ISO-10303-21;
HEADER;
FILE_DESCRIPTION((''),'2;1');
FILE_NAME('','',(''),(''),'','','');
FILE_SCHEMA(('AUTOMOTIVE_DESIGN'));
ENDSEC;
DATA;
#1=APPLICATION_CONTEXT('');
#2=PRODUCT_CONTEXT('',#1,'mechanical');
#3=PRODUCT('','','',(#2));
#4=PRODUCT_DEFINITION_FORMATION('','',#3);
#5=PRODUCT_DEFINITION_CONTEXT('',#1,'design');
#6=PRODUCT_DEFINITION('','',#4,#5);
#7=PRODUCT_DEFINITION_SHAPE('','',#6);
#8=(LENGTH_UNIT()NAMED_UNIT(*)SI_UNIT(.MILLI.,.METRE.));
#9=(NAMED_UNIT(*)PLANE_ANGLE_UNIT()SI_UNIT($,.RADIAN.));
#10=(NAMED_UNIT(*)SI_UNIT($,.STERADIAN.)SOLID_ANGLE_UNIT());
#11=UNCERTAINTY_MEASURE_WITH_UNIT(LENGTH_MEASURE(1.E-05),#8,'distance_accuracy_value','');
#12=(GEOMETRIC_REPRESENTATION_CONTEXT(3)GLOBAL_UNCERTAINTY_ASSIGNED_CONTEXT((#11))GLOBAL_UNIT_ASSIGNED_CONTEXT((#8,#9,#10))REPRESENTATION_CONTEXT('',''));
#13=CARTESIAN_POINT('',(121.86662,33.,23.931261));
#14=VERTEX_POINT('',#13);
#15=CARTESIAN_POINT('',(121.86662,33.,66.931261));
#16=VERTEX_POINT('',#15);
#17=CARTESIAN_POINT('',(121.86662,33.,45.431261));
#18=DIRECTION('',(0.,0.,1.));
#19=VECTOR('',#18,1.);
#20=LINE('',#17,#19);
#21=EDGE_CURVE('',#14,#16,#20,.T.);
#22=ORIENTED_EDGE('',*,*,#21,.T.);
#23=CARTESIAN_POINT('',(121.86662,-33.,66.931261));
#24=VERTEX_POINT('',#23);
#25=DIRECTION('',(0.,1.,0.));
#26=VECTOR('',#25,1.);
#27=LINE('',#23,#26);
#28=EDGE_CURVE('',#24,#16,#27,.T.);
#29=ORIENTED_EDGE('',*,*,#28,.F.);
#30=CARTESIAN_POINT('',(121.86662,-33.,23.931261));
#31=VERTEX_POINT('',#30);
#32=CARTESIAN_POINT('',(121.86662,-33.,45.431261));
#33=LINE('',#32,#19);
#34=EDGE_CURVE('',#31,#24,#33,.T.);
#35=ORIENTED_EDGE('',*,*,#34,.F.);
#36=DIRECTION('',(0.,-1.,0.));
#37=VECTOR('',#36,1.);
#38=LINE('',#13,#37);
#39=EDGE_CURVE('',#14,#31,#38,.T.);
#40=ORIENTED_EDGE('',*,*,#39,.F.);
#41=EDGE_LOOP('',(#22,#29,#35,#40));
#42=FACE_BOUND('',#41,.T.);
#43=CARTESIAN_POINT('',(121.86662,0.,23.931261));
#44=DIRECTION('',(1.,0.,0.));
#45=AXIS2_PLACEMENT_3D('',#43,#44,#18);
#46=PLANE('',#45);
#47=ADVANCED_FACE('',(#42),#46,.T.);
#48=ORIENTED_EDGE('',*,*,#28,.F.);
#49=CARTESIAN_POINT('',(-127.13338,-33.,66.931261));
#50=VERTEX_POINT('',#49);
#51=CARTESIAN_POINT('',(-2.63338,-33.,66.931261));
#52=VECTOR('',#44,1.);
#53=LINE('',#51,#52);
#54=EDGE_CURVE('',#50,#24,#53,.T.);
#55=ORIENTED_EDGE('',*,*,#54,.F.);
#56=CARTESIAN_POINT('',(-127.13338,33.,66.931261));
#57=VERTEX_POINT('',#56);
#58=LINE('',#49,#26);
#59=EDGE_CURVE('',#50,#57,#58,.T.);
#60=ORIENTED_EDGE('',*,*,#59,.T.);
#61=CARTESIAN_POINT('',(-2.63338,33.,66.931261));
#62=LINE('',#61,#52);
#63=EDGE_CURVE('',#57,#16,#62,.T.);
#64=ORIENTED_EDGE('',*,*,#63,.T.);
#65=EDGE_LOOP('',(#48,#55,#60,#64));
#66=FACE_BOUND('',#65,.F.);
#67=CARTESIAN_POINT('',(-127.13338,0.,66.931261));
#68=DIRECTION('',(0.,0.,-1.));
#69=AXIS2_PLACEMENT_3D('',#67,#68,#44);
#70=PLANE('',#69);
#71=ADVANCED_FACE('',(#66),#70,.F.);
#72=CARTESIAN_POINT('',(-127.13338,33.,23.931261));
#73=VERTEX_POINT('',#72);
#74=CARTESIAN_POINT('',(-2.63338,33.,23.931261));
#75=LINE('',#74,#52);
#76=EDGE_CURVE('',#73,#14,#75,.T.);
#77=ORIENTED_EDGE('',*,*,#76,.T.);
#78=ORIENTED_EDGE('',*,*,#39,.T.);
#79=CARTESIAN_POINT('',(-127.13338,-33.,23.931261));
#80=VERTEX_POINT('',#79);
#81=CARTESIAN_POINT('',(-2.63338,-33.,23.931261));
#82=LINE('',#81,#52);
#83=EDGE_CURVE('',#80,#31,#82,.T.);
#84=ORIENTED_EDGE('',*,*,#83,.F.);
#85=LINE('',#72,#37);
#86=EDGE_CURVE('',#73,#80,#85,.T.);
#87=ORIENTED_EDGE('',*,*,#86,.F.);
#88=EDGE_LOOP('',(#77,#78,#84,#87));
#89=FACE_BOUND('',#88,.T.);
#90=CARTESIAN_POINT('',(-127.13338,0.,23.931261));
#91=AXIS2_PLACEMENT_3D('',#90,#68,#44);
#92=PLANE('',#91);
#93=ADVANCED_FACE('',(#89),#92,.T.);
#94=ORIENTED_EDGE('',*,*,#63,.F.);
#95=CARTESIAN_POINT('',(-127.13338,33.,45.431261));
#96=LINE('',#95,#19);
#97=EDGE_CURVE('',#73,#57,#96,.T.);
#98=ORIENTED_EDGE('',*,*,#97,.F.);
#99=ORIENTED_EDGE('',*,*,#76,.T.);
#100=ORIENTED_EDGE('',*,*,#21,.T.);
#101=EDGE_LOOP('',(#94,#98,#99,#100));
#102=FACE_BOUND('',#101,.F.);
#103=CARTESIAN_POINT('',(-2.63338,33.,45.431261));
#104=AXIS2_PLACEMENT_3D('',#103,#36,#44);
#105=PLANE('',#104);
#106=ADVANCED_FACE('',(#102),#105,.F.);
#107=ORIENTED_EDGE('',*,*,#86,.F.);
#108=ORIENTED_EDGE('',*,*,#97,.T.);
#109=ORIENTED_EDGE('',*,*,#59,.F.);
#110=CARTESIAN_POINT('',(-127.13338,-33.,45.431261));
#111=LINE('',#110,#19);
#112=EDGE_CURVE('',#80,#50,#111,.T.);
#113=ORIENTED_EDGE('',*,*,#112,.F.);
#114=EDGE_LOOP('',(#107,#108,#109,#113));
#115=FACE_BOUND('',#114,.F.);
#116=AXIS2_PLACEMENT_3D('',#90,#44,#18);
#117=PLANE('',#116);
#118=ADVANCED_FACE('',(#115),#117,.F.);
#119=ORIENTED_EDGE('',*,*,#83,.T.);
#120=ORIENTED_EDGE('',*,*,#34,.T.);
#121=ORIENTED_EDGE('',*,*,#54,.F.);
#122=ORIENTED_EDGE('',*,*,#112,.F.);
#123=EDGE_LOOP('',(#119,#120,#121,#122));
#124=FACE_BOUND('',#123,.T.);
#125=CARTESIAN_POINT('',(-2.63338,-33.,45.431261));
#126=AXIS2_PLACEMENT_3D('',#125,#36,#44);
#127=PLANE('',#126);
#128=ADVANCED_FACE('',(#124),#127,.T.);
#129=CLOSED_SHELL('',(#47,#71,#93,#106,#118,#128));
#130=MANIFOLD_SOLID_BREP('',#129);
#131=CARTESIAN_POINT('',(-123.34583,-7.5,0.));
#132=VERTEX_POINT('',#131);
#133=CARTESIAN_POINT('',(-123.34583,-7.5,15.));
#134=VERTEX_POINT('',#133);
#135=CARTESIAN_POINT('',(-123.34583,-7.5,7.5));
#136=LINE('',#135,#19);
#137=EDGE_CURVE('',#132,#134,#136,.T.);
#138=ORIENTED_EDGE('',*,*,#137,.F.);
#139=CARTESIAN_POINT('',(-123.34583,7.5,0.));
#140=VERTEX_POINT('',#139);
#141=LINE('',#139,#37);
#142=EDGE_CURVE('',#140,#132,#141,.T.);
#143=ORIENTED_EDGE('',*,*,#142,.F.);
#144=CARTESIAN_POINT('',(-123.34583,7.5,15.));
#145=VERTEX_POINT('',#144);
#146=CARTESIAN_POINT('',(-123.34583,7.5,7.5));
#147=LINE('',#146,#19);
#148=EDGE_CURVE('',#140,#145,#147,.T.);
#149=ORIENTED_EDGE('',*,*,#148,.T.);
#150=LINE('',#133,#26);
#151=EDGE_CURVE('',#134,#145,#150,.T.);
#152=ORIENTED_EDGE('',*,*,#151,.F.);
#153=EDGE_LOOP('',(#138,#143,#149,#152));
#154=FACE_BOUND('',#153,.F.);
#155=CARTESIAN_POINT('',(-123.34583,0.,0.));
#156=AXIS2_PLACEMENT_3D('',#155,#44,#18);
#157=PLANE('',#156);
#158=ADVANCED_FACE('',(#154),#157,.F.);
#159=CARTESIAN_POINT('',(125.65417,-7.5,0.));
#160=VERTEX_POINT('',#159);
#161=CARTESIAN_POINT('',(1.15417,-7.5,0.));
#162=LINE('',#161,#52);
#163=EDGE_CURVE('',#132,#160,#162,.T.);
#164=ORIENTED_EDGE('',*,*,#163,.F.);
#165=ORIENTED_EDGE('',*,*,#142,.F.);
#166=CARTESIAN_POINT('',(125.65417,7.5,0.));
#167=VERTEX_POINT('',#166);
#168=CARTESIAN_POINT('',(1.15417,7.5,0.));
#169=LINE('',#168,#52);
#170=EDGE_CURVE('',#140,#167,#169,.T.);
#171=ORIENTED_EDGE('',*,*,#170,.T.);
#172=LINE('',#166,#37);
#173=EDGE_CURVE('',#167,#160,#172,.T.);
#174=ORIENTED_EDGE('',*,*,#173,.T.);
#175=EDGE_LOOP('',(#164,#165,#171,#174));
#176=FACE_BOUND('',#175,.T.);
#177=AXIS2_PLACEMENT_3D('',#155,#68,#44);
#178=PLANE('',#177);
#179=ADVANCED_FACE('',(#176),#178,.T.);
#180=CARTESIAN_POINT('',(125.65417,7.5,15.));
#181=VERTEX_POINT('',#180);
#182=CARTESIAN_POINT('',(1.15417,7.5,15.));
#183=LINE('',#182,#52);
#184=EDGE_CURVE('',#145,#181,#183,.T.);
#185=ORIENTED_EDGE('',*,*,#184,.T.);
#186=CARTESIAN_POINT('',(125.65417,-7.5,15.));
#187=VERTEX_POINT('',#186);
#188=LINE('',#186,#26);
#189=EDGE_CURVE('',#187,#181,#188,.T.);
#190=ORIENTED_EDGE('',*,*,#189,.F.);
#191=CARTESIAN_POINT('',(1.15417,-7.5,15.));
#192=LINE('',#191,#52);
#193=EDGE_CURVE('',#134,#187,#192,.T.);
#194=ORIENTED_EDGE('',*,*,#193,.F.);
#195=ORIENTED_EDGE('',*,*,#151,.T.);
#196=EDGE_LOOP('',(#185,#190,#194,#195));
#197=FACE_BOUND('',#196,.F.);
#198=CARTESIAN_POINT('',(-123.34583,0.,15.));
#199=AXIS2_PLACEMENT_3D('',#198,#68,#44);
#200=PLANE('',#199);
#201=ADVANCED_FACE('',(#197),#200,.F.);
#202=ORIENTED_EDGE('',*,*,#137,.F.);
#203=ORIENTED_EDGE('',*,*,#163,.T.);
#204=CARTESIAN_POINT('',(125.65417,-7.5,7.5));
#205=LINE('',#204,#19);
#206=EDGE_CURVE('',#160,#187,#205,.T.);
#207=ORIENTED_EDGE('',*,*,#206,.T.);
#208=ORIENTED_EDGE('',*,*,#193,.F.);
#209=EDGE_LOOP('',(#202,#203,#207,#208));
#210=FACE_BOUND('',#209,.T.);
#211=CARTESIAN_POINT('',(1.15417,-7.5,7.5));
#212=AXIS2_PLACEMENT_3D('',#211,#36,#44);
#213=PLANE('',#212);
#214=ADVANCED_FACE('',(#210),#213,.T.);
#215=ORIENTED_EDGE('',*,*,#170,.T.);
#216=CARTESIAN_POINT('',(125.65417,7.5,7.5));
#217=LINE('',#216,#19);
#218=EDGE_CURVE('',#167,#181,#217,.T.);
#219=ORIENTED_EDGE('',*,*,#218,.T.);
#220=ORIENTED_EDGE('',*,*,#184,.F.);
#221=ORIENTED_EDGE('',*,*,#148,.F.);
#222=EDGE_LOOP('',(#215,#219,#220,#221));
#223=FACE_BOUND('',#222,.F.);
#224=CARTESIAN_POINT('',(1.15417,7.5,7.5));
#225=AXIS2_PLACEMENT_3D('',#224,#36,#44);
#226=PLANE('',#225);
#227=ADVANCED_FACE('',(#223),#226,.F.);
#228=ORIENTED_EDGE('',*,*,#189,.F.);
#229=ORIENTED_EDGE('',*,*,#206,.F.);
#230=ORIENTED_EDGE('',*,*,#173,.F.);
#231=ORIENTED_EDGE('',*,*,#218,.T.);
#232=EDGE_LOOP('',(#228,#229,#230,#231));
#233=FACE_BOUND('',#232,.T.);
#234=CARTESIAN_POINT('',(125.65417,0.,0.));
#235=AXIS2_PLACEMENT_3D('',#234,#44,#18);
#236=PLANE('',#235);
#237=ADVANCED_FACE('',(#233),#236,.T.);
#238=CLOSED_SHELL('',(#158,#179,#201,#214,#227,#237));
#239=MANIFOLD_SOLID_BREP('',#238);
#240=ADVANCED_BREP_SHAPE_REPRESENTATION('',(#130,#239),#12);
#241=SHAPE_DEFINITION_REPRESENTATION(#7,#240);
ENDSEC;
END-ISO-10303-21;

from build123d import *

# Parameters (mm, degrees)
F1_W     = 249
F1_H     = 43
F2_DEPTH = 33
F0_W     = 249
F0_H     = 15
F3_DEPTH = 7.5


with BuildPart() as f2:
    # F1 (on Front) → F2 (new body, symmetric)
    with BuildSketch(Plane.XZ):
        with Locations((-2.63338, 45.431261)):
            Rectangle(F1_W, F1_H)
    extrude(amount=F2_DEPTH, both=True)


with BuildPart() as f3:
    # F0 (on Front) → F3 (new body, symmetric)
    with BuildSketch(Plane.XZ):
        with Locations((1.15417, 7.5)):
            Rectangle(F0_W, F0_H)
    extrude(amount=F3_DEPTH, both=True)


solid = Compound([f2.part, f3.part])
